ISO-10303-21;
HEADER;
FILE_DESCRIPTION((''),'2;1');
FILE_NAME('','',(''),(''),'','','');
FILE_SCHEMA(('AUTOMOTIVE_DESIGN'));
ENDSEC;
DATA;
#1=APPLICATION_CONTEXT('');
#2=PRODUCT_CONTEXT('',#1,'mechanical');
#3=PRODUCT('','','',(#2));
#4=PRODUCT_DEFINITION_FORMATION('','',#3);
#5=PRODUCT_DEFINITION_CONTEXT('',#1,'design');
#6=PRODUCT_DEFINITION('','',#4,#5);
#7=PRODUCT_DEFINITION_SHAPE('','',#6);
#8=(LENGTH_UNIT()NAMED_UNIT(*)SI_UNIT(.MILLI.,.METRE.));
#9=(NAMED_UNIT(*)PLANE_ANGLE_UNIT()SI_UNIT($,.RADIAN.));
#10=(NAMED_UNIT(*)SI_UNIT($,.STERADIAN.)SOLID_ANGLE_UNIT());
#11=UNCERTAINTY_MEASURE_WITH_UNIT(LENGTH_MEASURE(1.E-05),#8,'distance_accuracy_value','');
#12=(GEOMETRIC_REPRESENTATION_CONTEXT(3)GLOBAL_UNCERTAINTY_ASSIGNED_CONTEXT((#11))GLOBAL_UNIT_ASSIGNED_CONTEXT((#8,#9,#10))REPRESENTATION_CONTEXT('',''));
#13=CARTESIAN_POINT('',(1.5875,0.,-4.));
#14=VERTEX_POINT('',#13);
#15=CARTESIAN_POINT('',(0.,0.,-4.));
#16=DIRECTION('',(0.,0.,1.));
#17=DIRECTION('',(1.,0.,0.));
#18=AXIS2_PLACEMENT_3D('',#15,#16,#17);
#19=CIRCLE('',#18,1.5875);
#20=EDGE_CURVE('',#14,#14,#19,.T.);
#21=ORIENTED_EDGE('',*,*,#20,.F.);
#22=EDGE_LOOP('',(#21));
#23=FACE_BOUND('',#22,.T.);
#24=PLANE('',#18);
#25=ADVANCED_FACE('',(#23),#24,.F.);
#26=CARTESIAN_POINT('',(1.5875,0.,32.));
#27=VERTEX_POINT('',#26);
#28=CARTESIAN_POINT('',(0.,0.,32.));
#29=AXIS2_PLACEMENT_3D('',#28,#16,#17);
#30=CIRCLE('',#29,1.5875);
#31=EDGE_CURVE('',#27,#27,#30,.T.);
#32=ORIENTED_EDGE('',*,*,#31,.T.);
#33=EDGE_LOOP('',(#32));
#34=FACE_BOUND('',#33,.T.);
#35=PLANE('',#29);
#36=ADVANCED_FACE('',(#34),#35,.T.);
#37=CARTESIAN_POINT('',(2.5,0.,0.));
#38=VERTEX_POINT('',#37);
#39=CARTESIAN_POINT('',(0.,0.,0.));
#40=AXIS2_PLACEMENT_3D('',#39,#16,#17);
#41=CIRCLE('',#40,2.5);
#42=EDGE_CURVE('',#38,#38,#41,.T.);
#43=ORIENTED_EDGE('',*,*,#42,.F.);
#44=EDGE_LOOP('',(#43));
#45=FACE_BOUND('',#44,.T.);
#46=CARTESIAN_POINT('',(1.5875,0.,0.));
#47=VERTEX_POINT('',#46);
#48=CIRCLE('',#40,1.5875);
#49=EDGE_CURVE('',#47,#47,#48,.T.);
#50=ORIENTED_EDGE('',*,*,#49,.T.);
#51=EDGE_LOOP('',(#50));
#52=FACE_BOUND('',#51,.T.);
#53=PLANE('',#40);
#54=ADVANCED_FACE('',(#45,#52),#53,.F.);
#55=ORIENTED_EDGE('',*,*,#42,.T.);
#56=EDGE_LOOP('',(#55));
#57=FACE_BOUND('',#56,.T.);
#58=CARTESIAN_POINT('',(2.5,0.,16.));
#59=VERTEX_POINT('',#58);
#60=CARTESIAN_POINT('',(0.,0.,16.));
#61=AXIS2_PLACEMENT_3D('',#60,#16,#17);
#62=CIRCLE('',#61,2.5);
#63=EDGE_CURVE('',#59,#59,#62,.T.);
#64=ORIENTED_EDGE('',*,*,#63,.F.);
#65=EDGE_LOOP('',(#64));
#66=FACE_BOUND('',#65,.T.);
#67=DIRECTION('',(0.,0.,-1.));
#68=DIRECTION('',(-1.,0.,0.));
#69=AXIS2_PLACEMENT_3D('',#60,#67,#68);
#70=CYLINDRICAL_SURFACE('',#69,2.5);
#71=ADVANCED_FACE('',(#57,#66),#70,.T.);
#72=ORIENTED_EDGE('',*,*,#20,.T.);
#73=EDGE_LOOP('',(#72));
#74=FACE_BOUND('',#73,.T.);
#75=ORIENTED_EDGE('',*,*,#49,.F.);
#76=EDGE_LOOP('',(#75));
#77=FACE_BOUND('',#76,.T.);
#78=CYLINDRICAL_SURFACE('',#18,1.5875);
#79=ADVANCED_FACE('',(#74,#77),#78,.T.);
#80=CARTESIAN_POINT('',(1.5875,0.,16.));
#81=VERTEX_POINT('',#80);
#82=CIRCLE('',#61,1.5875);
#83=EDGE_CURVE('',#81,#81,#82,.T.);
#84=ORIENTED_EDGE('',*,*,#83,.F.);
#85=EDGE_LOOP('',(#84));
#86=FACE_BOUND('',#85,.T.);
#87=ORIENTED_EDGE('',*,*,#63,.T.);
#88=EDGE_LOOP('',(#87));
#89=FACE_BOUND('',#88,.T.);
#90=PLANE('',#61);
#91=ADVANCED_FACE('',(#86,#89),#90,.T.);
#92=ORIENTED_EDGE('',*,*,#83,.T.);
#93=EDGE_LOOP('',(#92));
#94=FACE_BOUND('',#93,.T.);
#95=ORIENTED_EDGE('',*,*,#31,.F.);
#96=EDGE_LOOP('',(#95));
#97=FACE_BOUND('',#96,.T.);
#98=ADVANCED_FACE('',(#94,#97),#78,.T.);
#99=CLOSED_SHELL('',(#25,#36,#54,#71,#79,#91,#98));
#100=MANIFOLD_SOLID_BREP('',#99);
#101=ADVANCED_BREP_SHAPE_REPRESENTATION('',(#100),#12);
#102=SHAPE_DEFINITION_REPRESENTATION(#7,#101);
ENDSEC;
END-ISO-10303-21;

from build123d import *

# Parameters (mm, degrees)
SKETCH1_R                = 2.5
BOSS_EXTRUDE1_DEPTH      = 16
SKETCH2_R                = 1.5875
BOSS_EXTRUDE2_DEPTH      = 16
BOSS_EXTRUDE2_DEPTH_BACK = 20


with BuildPart() as part:
    # Sketch1 → Boss-Extrude1 (new body)
    with BuildSketch(Plane.XY):
        Circle(SKETCH1_R)
    extrude(amount=BOSS_EXTRUDE1_DEPTH)

    # Sketch2 → Boss-Extrude2 (add, two sides)
    with BuildSketch(Plane.XY.offset(16)) as boss_extrude2_sk:
        Circle(SKETCH2_R)
    extrude(amount=BOSS_EXTRUDE2_DEPTH)
    extrude(boss_extrude2_sk.sketch, amount=-BOSS_EXTRUDE2_DEPTH_BACK)


solid = part.part
